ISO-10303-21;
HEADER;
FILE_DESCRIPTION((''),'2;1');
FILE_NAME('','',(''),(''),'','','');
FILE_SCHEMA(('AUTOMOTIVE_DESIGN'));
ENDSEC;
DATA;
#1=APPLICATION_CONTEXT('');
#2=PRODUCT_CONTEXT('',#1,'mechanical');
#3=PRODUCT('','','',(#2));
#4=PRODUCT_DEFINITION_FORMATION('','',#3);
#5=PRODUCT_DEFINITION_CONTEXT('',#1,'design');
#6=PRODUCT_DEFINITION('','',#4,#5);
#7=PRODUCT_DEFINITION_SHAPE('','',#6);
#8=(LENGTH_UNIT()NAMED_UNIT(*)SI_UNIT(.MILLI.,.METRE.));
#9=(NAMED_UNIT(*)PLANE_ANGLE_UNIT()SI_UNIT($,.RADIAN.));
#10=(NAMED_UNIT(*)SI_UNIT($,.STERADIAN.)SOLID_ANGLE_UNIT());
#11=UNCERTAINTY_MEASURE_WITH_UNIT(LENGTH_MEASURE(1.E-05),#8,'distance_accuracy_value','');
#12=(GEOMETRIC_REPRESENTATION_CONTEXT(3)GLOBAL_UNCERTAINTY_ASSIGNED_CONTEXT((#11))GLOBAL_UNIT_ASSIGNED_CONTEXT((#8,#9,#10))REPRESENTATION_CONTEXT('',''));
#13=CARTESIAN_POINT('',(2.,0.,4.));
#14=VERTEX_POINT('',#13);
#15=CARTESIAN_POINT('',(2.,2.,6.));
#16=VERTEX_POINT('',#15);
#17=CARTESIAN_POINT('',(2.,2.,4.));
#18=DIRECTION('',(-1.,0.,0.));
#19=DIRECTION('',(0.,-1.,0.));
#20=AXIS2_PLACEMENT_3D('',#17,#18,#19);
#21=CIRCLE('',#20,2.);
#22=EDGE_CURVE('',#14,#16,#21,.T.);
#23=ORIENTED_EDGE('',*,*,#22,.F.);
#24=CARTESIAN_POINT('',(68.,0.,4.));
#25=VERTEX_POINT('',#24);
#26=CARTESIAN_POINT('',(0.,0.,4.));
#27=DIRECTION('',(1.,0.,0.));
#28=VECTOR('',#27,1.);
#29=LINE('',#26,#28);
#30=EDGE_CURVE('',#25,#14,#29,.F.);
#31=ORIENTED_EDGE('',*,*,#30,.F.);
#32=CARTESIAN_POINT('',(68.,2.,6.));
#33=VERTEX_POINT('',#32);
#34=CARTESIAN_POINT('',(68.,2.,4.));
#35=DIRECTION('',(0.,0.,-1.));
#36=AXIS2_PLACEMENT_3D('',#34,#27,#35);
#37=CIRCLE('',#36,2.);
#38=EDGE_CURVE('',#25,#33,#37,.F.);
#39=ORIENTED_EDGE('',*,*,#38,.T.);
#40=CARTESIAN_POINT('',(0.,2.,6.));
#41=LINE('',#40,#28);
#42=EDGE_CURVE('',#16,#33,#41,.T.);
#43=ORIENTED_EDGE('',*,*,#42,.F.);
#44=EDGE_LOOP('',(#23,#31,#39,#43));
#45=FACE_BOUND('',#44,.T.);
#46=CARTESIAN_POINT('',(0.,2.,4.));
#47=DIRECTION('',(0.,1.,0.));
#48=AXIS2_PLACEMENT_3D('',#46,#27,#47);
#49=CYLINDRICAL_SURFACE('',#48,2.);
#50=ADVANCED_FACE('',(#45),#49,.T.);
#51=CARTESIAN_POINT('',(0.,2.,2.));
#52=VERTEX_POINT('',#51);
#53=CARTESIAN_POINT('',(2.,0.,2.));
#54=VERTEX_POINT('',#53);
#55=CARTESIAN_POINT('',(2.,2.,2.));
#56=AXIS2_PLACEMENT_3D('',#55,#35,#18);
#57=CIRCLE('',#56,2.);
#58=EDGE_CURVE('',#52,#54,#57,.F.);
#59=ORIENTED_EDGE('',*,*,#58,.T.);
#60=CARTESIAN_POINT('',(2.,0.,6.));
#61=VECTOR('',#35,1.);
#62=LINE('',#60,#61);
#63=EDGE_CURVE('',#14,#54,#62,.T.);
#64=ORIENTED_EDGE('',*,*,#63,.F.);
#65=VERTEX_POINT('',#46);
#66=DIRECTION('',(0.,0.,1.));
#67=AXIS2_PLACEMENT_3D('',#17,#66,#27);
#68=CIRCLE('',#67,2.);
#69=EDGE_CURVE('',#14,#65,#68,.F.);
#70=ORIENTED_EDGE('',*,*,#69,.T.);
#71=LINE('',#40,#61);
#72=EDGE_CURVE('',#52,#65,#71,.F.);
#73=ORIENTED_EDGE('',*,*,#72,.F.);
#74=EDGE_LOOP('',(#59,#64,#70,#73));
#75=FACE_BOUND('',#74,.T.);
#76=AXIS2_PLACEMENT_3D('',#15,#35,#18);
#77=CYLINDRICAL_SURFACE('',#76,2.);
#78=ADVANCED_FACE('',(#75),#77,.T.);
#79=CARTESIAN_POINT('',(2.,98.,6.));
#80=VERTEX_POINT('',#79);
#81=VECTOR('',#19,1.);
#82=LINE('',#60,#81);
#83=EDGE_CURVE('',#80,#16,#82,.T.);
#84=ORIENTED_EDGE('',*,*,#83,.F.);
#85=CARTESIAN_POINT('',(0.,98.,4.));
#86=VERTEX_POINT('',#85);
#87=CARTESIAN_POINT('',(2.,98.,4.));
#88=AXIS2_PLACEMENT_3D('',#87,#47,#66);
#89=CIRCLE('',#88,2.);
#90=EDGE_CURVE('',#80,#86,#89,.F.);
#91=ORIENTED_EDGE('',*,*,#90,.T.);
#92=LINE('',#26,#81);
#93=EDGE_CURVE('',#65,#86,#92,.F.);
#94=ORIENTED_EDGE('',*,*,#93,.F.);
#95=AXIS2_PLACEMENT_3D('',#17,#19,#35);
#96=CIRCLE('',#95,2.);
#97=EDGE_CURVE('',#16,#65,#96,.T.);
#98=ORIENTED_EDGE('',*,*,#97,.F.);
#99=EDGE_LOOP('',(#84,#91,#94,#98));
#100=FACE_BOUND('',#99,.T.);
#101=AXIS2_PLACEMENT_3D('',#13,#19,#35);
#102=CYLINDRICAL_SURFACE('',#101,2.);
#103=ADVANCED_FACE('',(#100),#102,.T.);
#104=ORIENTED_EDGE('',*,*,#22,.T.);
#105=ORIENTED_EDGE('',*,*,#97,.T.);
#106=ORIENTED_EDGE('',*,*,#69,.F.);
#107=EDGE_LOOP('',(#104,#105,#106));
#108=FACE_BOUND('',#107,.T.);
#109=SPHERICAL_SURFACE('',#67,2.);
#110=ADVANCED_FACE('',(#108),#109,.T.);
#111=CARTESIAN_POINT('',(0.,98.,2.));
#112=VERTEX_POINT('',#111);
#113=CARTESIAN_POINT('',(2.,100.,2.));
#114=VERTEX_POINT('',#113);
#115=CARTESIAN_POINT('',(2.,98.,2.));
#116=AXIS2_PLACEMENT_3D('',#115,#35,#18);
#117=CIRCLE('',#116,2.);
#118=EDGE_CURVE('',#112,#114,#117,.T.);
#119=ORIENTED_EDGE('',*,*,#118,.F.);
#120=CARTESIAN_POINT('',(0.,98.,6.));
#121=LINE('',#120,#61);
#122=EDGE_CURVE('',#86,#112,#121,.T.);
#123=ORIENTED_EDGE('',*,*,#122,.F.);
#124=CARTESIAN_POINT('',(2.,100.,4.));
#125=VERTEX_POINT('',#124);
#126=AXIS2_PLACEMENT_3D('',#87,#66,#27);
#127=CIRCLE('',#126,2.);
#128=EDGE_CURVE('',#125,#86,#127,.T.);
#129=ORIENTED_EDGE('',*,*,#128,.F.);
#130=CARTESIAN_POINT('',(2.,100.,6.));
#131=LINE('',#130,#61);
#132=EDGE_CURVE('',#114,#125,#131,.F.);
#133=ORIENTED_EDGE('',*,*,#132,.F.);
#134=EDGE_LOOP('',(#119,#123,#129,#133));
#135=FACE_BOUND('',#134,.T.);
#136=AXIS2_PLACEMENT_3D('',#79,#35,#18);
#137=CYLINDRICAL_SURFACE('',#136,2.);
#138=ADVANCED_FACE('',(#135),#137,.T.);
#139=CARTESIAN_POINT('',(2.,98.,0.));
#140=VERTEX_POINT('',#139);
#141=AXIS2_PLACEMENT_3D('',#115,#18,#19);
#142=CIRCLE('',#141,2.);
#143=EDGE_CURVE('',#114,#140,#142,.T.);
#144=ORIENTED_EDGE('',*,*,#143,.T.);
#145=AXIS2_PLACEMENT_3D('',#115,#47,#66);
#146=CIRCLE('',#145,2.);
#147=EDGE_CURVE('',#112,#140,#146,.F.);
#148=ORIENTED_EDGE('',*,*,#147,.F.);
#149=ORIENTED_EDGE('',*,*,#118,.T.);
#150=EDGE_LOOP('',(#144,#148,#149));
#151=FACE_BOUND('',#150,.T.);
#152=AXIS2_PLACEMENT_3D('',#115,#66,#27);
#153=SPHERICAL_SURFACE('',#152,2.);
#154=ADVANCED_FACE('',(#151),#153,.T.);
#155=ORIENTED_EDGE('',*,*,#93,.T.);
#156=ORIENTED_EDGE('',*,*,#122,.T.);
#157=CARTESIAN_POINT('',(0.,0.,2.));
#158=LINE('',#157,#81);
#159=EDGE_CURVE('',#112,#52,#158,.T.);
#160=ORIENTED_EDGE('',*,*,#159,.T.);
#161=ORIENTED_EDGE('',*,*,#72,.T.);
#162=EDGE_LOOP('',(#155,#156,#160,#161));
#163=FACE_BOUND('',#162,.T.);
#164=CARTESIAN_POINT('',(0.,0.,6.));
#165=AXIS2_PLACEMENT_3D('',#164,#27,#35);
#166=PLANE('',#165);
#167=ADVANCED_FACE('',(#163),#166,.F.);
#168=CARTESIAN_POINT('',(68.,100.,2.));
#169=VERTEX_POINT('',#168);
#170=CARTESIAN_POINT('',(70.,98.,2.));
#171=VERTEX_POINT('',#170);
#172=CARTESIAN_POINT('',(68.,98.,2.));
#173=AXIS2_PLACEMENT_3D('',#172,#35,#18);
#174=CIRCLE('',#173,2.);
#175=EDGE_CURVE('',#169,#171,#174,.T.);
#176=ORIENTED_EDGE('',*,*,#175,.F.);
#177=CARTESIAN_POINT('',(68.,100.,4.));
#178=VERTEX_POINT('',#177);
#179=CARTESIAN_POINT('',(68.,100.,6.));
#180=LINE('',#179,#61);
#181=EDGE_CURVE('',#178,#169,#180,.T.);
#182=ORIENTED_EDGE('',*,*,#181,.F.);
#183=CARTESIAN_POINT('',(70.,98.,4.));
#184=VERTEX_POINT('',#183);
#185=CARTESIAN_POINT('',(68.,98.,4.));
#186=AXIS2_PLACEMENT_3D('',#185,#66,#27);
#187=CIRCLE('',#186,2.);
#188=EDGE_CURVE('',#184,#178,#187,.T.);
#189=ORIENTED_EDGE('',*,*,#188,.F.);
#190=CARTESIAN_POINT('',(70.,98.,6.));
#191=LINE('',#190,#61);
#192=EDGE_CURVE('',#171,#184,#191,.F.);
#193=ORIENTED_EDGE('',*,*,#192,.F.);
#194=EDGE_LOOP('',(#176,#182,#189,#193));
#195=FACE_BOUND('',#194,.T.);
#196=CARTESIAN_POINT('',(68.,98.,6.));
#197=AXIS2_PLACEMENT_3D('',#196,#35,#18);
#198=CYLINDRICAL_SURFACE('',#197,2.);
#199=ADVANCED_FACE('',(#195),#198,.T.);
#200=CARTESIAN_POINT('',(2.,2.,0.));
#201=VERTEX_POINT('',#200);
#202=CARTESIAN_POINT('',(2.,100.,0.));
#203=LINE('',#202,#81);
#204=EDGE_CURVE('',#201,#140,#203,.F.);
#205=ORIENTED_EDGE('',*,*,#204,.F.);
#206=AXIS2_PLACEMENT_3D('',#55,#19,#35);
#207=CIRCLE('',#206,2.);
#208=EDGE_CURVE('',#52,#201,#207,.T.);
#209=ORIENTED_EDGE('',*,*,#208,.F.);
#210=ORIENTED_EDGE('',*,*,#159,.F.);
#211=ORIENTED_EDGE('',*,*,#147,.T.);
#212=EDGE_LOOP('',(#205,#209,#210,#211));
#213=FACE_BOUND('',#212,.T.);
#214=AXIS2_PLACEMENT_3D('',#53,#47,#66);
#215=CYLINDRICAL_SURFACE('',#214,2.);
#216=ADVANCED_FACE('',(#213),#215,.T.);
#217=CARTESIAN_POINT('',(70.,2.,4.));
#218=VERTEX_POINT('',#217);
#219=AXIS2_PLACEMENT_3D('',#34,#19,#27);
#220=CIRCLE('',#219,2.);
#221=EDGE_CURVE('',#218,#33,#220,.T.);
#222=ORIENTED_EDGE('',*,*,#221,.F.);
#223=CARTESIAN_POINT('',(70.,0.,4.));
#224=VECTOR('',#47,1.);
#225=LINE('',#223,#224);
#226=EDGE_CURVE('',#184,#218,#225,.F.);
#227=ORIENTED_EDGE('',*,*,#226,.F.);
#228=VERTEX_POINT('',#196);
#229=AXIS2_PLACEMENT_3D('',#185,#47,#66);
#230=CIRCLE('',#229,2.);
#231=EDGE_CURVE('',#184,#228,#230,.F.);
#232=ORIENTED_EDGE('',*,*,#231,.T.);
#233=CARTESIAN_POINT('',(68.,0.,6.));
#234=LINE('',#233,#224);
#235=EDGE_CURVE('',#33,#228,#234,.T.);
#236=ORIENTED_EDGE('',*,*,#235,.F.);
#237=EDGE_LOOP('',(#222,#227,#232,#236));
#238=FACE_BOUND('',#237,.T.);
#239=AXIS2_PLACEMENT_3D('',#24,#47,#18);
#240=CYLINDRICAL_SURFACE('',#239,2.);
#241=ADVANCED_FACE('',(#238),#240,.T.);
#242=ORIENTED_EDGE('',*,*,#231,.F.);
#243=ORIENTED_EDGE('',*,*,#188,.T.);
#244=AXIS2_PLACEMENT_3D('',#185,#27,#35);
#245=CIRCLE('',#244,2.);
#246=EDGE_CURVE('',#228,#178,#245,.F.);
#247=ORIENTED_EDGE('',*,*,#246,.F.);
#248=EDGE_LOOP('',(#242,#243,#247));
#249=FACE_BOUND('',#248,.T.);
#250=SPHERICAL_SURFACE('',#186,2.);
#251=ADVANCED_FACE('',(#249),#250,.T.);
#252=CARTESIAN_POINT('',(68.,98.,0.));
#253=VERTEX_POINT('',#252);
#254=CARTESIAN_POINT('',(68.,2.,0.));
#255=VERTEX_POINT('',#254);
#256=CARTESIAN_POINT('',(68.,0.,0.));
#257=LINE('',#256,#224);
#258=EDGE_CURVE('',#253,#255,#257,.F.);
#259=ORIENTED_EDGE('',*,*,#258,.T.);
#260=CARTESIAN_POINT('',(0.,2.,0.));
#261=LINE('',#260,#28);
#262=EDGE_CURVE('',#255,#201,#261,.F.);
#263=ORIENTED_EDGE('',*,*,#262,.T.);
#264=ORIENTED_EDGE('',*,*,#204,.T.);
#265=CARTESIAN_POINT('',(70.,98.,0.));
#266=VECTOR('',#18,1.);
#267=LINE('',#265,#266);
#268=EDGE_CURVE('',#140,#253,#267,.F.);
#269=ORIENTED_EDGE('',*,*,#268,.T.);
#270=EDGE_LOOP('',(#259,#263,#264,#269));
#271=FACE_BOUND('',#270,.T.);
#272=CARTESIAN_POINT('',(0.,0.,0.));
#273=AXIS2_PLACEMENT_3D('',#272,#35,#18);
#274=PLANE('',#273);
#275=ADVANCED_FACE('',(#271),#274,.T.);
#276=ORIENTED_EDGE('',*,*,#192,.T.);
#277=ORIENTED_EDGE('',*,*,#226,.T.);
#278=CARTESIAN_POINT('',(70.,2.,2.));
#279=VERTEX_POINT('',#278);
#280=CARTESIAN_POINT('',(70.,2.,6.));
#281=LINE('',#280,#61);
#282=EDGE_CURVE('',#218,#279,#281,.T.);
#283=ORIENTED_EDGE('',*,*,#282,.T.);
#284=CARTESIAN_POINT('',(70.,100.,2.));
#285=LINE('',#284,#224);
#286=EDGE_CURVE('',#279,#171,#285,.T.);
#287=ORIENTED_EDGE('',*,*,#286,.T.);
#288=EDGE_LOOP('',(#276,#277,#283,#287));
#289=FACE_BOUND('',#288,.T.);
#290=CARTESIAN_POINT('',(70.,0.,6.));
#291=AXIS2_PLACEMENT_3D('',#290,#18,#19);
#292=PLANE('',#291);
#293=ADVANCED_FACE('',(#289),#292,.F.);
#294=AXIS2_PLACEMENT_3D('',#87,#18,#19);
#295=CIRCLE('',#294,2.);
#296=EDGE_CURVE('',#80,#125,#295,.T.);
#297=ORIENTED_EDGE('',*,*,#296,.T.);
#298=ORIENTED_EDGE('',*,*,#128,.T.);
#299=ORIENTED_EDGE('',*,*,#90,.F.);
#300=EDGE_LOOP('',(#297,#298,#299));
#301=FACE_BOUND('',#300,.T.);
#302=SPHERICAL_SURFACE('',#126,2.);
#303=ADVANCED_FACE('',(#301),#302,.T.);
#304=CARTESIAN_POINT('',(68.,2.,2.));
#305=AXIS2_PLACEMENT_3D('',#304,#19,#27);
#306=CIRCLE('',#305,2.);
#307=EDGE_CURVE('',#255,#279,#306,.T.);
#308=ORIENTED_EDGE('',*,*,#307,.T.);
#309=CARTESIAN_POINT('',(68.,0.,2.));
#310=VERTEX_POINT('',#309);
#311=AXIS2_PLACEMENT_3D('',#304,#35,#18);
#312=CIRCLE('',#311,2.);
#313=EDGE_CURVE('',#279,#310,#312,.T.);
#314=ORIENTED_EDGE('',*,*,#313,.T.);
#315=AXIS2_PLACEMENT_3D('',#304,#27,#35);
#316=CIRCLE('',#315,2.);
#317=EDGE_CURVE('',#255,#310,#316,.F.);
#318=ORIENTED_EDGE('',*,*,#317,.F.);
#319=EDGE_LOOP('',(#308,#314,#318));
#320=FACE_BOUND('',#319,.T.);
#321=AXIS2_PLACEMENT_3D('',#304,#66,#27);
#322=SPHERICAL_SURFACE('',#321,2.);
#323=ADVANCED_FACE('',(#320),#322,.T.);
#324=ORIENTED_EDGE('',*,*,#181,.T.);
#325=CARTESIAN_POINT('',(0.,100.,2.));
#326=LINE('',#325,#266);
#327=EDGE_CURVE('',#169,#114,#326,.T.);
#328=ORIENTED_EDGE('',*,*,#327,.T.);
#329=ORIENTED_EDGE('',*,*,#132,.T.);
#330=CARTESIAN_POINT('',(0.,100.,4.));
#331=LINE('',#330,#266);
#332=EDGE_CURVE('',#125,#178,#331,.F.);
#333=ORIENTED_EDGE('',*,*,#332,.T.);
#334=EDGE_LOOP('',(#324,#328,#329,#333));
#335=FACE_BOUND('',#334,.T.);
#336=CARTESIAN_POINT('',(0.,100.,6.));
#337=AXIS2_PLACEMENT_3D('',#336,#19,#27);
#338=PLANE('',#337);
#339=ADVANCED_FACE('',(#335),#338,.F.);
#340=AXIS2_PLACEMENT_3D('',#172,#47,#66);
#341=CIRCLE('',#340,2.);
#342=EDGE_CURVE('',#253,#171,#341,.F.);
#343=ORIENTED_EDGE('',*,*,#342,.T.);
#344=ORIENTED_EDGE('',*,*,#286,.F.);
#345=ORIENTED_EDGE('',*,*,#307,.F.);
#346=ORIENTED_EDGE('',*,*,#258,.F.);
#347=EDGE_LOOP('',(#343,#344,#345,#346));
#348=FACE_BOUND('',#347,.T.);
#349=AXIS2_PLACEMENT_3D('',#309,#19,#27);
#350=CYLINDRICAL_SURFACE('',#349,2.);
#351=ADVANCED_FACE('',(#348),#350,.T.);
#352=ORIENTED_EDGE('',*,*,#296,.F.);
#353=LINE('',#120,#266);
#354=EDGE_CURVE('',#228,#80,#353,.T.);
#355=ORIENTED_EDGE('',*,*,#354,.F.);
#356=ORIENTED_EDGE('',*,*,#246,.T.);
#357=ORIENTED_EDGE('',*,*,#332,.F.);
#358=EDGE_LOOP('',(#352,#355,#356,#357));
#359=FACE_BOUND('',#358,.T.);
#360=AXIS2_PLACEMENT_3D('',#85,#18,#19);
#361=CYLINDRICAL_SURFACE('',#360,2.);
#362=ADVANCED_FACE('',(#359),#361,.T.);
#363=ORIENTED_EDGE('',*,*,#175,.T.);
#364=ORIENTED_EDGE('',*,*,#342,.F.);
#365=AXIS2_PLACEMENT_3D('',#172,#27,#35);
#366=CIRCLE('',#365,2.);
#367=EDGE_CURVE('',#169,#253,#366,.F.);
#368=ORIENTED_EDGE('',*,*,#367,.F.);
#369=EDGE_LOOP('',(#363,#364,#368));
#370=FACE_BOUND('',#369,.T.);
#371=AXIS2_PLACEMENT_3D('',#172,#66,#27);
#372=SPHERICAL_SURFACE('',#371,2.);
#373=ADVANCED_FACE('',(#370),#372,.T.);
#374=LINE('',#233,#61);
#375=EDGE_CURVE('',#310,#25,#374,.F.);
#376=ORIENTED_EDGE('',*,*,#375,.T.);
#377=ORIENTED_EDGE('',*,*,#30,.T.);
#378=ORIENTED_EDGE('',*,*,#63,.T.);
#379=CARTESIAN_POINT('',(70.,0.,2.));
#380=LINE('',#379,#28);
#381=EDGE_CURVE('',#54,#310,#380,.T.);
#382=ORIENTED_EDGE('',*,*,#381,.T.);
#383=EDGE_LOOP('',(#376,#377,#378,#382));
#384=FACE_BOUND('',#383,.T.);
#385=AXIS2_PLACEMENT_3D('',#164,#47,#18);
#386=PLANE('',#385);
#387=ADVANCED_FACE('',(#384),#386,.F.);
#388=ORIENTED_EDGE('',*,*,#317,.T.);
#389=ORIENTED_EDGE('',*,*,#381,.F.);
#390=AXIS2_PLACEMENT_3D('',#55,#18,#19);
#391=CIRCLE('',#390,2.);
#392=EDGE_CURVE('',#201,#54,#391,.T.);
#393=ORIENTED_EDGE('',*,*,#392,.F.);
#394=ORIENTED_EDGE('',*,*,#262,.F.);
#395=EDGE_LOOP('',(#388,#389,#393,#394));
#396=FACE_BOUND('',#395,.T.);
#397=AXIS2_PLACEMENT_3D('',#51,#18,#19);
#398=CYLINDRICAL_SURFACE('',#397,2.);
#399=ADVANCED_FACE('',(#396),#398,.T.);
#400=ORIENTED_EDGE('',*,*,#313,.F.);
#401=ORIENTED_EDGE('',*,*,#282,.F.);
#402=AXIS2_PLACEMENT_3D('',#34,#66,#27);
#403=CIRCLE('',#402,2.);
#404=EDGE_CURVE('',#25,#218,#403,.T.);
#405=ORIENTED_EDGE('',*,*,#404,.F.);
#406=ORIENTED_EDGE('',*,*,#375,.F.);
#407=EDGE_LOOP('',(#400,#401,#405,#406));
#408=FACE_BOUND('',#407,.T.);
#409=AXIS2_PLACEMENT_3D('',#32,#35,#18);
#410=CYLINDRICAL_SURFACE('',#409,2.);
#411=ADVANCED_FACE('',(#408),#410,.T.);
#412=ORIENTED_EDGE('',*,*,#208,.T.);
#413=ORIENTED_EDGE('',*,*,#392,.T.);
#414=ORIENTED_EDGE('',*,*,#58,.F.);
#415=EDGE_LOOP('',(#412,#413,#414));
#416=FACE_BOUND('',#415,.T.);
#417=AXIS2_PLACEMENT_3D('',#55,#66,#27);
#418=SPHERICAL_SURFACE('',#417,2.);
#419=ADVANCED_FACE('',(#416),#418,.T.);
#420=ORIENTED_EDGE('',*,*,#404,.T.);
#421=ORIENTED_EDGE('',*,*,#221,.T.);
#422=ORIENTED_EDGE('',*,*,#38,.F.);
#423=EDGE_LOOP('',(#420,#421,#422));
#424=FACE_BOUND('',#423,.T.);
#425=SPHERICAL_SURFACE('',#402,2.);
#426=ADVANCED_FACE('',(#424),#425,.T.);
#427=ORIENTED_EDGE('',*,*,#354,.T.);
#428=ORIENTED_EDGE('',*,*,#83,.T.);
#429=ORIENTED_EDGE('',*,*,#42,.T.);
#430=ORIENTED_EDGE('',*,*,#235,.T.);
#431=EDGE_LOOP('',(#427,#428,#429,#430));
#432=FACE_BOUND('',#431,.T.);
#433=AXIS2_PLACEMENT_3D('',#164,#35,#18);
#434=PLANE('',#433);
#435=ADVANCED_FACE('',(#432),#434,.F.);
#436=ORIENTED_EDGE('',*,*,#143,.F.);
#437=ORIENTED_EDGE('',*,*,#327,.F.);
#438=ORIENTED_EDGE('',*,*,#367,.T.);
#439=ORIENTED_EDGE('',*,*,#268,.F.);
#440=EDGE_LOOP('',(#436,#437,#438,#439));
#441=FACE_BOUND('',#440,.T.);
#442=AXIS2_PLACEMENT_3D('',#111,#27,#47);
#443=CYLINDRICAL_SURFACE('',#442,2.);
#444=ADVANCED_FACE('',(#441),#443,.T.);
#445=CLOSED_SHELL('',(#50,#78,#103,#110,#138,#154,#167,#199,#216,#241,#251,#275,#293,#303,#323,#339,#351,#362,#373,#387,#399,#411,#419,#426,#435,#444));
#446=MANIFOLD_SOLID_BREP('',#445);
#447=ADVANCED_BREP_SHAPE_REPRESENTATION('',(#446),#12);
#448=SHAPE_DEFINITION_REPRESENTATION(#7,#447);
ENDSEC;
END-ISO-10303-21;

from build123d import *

# Parameters (mm, degrees)
SKETCH2_W           = 70
SKETCH2_H           = 100
BOSS_EXTRUDE1_DEPTH = 6
FILLET1_R           = 2


with BuildPart() as part:
    # Sketch2 → Boss-Extrude1 (new body)
    with BuildSketch(Plane.XY):
        with Locations((35, 50)):
            Rectangle(SKETCH2_W, SKETCH2_H)
    extrude(amount=BOSS_EXTRUDE1_DEPTH)

    # Fillet1
    fillet1_edges = [part.edges().sort_by_distance(p)[0] for p in [
        (70, 50, 6),
        (35, 100, 6),
        (0, 50, 6),
        (35, 100, 0),
        (70, 50, 0),
        (35, 0, 0),
        (0, 50, 0),
        (35, 0, 6),
        (0, 100, 3),
        (70, 100, 3),
        (70, 0, 3),
        (0, 0, 3),
    ]]
    fillet(fillet1_edges, radius=FILLET1_R)


solid = part.part
